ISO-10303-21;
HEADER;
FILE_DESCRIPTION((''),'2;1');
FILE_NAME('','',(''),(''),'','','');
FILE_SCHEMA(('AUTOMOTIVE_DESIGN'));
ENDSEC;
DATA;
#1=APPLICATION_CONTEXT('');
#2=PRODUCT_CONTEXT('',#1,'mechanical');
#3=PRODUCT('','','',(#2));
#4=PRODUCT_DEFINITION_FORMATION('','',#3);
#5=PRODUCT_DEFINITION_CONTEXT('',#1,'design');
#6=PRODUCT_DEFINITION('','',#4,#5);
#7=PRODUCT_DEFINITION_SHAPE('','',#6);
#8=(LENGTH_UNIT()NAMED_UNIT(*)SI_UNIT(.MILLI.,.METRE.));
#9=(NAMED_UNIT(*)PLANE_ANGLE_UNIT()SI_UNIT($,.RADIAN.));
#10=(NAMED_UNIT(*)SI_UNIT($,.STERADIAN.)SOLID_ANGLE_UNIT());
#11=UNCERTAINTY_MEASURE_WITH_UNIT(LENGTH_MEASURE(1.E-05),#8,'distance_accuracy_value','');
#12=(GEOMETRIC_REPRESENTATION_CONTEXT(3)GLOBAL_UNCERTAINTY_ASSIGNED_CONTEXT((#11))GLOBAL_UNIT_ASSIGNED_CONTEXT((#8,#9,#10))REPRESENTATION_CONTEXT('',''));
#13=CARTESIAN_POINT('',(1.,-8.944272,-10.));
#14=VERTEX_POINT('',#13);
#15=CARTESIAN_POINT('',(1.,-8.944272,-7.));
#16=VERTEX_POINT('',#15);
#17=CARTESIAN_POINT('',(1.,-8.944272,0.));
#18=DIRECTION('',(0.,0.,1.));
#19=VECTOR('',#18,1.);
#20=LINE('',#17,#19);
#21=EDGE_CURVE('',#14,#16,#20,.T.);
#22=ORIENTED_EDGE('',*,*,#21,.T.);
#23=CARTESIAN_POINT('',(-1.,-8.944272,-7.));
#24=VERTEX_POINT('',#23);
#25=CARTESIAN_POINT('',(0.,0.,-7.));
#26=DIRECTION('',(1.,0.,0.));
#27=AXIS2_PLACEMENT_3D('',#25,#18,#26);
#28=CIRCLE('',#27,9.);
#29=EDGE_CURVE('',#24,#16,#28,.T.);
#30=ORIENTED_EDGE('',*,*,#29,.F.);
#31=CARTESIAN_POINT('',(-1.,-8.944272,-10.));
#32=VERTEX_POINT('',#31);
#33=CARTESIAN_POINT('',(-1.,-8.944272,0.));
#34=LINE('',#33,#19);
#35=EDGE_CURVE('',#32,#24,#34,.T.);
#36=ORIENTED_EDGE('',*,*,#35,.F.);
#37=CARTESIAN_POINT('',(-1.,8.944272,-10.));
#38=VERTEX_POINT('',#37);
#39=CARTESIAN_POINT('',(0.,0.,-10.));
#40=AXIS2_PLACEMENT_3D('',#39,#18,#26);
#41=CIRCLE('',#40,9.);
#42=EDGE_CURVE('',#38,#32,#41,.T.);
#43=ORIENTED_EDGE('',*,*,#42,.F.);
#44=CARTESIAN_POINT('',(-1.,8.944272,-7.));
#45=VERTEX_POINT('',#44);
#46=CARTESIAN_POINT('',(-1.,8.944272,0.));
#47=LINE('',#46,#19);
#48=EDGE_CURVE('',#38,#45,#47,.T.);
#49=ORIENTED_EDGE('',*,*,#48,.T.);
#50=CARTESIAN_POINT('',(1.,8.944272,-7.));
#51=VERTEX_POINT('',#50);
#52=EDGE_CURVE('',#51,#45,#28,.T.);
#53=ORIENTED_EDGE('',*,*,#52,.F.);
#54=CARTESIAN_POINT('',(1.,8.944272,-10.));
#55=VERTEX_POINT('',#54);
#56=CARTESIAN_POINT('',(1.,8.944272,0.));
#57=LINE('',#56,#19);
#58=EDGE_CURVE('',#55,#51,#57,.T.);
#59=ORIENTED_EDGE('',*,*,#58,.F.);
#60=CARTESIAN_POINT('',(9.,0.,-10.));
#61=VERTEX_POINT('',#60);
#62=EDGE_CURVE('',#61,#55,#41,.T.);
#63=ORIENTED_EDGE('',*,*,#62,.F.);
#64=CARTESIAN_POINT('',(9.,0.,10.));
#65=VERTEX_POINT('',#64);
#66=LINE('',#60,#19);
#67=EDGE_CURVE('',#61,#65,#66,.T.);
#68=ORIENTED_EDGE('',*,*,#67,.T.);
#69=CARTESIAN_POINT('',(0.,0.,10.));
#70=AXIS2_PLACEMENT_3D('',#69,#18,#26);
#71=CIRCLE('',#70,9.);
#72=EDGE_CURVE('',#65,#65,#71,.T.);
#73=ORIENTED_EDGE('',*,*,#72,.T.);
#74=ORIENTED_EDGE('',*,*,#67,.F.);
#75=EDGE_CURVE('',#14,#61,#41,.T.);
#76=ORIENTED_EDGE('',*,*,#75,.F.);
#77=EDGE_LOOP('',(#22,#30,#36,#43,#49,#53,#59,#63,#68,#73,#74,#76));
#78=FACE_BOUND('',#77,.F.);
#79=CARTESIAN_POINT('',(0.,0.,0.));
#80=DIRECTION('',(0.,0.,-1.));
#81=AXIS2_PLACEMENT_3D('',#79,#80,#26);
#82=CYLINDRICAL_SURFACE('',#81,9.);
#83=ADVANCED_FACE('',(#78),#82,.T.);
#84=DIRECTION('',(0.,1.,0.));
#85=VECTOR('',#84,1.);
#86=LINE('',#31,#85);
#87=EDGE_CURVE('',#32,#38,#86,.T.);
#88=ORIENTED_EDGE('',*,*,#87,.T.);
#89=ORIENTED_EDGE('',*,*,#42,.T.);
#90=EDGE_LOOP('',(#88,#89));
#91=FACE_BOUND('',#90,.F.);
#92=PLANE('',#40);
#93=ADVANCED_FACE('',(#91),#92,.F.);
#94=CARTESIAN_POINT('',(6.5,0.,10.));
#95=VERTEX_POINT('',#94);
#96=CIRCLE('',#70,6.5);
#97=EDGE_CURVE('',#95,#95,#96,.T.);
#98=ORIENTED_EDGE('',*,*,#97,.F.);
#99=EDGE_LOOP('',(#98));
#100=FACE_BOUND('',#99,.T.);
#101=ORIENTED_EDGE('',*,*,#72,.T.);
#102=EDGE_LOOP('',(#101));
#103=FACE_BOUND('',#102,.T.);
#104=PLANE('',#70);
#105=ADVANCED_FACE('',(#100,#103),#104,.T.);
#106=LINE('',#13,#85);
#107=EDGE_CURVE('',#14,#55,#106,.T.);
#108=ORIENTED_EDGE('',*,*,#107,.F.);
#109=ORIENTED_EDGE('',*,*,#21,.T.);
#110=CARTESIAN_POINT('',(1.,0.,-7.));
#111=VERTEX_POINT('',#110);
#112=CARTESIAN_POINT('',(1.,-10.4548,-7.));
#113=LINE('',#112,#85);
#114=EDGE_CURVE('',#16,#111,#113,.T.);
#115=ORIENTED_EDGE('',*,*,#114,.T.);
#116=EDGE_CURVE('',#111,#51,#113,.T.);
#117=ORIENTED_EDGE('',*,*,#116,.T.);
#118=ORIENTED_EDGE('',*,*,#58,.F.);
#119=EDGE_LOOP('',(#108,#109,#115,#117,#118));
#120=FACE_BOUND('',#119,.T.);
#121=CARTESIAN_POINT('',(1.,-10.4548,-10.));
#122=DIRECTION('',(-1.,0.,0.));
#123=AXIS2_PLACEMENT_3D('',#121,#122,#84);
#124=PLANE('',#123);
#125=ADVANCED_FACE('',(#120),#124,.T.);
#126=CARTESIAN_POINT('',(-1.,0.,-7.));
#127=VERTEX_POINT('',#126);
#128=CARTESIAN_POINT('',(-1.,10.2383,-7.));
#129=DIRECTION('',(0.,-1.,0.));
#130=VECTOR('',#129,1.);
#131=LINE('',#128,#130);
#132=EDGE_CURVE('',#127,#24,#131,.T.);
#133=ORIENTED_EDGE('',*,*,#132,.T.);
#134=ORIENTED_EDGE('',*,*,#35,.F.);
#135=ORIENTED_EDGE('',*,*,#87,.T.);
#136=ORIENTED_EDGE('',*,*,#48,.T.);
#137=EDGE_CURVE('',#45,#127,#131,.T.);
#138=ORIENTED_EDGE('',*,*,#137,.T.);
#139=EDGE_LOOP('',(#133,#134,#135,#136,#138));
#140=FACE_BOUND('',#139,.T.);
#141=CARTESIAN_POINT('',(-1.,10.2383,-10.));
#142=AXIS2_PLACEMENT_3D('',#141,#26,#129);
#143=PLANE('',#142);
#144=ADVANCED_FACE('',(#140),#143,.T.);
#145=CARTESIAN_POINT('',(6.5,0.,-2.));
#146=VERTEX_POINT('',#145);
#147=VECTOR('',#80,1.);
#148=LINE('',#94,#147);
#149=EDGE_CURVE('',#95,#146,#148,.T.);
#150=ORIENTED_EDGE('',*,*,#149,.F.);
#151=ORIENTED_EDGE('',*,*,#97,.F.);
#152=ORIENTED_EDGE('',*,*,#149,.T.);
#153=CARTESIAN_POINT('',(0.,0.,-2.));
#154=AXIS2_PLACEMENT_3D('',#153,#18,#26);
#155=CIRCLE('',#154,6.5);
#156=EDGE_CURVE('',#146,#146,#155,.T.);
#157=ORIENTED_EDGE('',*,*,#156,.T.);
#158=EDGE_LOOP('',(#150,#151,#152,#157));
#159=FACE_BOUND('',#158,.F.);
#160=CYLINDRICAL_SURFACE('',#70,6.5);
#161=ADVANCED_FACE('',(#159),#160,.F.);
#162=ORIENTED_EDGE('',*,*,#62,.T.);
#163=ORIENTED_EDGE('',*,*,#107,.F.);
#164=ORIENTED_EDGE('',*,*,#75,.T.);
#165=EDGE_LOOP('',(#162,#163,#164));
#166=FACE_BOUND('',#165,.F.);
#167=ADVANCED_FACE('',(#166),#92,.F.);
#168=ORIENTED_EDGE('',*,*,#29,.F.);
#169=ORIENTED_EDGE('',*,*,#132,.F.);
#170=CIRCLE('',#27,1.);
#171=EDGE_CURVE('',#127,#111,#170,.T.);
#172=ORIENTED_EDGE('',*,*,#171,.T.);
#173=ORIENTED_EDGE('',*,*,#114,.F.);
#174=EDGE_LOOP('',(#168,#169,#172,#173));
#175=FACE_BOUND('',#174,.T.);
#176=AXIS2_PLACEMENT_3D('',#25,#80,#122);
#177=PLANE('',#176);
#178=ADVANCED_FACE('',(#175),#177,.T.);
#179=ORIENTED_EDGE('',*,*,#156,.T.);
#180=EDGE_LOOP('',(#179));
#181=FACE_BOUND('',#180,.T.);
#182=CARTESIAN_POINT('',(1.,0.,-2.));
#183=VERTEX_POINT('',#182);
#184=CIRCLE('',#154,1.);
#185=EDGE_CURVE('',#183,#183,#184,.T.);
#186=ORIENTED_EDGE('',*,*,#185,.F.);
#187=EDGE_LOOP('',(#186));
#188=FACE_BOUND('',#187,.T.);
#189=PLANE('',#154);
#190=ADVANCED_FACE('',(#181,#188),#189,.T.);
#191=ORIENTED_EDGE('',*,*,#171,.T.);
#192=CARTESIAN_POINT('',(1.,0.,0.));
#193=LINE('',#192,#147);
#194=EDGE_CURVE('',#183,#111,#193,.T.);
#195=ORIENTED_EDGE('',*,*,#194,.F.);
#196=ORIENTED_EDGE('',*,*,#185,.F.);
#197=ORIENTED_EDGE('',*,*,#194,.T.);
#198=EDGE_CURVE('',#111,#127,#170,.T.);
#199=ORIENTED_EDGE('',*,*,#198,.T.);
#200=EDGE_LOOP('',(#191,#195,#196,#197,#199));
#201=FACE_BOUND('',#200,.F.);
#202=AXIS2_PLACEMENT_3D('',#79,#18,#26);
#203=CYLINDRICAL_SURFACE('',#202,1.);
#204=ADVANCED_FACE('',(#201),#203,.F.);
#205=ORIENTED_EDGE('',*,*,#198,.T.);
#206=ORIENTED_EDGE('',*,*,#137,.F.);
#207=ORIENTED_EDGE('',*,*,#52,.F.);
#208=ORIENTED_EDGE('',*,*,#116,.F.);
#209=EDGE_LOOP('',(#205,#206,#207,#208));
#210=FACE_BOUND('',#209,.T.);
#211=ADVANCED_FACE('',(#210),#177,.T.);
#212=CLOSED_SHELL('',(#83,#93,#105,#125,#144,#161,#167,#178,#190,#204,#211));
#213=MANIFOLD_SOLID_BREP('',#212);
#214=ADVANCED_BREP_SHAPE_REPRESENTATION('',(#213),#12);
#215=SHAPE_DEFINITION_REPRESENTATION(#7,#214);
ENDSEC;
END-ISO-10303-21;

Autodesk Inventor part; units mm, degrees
ref_plane "YZ Plane" through (0, 0, 0) normal (1, 0, 0) x (0, 1, 0)
ref_plane "XZ Plane" through (0, 0, 0) normal (0, 1, 0) x (-1, 0, 0)
ref_plane "XY Plane" through (0, 0, 0) normal (0, 0, 1) x (1, 0, 0)
sketch "スケッチ1" plane through (0, 0, 0) normal (0, 0, 1) x (1, 0, 0)
  circle A0 centre (0, 0) radius 9
  circle A1 centre (0, 0) radius 1
  dimension "d0" = 18
  dimension "d3" = 2
extrude "押し出し1" add sketch "スケッチ1" along normal mid plane 20
sketch "スケッチ2" plane through (0, 0, -10) normal (0, 0, -1) x (-1, 0, 0)
  line L0 (-1, 10.2383) -> (1, 10.2383)
  line L1 (1, 10.2383) -> (1, -10.4548)
  line L2 (1, -10.4548) -> (-1, -10.4548)
  line L3 (-1, -10.4548) -> (-1, 10.2383)
  point P0 (0, 0)
  point P1 (0, -10.4548)
  dimension "d4" = 2
extrude "押し出し2" cut sketch "スケッチ2" against normal blind 3
thread "ねじ1" size "M20x2" class "6g" standard "ISO Metric profile" full length
sketch "スケッチ3" plane through (0, 0, 10) normal (0, 0, 1) x (1, 0, 0)
  point P0 (0, 0)
sketch "スケッチ4" plane through (0, 0, 10) normal (0, 0, 1) x (1, 0, 0)
  circle A0 centre (0, 0) radius 6.5
  dimension "d9" = 13
extrude "押し出し3" cut sketch "スケッチ4" against normal blind 12
properties part number "rod330_end_screw" material "ステンレス鋼"
